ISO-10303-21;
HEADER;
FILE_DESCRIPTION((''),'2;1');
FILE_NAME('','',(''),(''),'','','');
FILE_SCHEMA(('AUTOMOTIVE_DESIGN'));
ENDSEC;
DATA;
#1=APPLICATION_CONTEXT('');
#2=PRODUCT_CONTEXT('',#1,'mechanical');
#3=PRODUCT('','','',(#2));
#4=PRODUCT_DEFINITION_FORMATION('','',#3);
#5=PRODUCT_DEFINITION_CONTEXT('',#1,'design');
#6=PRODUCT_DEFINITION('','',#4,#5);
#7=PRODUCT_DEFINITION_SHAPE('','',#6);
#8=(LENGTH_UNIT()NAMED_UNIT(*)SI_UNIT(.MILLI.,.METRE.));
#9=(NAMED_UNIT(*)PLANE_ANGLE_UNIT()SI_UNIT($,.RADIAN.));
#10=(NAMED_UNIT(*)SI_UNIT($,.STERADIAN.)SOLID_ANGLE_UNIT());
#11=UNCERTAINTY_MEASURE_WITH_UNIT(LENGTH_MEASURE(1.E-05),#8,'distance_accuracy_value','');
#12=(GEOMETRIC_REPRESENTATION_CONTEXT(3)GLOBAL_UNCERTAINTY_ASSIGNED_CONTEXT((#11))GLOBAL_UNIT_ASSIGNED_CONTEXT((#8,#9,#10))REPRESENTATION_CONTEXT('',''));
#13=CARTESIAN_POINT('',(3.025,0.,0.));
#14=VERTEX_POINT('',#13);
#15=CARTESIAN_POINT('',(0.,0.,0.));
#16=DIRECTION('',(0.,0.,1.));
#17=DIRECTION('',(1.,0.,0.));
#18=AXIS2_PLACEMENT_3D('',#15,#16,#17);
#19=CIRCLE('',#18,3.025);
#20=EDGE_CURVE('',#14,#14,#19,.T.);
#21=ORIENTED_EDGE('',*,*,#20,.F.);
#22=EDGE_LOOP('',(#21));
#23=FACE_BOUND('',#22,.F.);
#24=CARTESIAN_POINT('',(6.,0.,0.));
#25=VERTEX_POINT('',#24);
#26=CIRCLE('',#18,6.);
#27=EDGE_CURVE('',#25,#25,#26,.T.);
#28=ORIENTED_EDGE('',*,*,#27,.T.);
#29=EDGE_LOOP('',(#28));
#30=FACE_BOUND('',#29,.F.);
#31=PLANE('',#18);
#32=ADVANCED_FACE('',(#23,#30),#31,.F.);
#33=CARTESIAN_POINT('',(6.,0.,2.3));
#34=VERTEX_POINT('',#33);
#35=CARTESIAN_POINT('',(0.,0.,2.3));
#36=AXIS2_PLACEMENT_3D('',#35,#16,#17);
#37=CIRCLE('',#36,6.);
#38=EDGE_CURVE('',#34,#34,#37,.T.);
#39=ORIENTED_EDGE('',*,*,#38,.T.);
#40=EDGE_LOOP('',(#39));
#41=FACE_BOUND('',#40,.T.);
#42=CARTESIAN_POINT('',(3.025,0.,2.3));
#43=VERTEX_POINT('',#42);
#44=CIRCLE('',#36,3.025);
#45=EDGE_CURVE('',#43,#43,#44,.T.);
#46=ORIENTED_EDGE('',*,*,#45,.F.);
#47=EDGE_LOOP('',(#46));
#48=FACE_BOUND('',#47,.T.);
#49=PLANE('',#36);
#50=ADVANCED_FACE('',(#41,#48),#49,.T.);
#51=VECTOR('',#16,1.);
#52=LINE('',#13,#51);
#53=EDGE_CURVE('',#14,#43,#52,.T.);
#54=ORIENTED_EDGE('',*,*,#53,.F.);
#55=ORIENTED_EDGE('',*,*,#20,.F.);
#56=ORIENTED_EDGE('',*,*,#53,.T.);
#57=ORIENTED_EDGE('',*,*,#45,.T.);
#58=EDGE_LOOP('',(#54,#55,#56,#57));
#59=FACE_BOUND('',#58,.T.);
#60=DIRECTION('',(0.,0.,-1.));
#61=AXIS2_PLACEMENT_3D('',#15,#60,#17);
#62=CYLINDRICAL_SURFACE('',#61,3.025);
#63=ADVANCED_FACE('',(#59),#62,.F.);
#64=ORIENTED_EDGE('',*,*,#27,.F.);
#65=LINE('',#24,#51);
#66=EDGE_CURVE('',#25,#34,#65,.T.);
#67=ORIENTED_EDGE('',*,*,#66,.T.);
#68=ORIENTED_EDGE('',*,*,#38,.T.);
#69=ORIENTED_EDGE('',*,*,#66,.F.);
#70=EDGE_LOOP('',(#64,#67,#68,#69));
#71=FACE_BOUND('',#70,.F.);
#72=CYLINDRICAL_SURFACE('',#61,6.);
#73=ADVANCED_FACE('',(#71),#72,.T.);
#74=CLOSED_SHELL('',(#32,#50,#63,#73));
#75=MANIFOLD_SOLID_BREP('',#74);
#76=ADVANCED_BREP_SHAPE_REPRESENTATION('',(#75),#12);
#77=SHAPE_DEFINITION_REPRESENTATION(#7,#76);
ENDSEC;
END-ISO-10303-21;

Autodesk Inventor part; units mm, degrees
ref_plane "YZ Plane" through (0, 0, 0) normal (1, 0, 0) x (0, 1, 0)
ref_plane "XZ Plane" through (0, 0, 0) normal (0, 1, 0) x (-1, 0, 0)
ref_plane "XY Plane" through (0, 0, 0) normal (0, 0, 1) x (1, 0, 0)
sketch "Sketch1" plane through (0, 0, 0) normal (0, 0, 1) x (1, 0, 0)
  circle A0 centre (0, 0) radius 6
  circle A1 centre (0, 0) radius 3.025
  dimension "d0" = 12
  dimension "d3" = 6.05
extrude "Extrusion1" add sketch "Sketch1" along normal blind 2.3
properties part number "Laser Mod"
